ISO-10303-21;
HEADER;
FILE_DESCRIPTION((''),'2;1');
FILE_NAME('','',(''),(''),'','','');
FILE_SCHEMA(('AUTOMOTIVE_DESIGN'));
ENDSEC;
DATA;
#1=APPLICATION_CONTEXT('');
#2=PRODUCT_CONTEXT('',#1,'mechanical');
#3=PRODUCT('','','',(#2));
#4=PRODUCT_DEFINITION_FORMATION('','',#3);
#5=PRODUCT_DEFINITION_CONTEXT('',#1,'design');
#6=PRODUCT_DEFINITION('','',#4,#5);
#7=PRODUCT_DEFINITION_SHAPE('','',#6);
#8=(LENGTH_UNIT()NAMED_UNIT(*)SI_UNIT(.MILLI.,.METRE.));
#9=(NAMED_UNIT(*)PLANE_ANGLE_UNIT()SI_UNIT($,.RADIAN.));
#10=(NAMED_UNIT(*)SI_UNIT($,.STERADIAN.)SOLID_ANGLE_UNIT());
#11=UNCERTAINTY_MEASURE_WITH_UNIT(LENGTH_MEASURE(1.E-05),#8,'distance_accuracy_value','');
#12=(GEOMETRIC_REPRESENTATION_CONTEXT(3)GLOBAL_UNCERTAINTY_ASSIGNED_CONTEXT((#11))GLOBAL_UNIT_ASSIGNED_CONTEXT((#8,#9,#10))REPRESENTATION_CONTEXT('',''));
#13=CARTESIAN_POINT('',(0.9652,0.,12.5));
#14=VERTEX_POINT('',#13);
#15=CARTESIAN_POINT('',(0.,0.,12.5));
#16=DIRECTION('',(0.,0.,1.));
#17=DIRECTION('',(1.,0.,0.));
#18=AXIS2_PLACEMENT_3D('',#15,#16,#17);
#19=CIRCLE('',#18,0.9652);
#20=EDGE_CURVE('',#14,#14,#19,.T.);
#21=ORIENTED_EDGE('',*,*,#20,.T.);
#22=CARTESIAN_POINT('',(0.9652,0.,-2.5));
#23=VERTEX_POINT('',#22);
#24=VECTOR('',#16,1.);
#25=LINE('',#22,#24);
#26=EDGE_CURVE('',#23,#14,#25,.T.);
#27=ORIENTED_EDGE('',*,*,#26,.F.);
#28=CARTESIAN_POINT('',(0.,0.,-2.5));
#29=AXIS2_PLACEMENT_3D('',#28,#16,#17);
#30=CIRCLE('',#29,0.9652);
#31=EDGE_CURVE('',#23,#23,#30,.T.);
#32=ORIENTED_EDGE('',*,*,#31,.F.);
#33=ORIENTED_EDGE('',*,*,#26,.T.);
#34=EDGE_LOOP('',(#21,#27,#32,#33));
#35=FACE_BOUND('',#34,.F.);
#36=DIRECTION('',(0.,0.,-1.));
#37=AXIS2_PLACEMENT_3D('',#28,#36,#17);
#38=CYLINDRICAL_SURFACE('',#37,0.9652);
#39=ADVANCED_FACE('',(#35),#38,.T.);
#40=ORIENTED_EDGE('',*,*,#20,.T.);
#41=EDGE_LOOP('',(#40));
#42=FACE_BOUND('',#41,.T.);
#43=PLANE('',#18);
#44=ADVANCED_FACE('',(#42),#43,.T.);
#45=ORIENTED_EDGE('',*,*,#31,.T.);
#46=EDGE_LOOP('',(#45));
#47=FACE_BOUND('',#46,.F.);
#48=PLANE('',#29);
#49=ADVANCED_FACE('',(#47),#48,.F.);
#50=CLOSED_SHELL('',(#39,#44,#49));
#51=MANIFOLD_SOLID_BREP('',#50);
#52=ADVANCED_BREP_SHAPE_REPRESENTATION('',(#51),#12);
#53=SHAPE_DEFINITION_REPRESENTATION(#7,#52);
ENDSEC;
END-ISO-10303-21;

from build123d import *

# Parameters (mm, degrees)
CYLINDER_R     = 0.9652
CYLINDER_DEPTH = 15


with BuildPart() as part:
    # Cylinder → Cylinder (new body)
    with BuildSketch(Plane.XY.offset(-2.5)):
        Circle(CYLINDER_R)
    extrude(amount=CYLINDER_DEPTH)


solid = part.part
